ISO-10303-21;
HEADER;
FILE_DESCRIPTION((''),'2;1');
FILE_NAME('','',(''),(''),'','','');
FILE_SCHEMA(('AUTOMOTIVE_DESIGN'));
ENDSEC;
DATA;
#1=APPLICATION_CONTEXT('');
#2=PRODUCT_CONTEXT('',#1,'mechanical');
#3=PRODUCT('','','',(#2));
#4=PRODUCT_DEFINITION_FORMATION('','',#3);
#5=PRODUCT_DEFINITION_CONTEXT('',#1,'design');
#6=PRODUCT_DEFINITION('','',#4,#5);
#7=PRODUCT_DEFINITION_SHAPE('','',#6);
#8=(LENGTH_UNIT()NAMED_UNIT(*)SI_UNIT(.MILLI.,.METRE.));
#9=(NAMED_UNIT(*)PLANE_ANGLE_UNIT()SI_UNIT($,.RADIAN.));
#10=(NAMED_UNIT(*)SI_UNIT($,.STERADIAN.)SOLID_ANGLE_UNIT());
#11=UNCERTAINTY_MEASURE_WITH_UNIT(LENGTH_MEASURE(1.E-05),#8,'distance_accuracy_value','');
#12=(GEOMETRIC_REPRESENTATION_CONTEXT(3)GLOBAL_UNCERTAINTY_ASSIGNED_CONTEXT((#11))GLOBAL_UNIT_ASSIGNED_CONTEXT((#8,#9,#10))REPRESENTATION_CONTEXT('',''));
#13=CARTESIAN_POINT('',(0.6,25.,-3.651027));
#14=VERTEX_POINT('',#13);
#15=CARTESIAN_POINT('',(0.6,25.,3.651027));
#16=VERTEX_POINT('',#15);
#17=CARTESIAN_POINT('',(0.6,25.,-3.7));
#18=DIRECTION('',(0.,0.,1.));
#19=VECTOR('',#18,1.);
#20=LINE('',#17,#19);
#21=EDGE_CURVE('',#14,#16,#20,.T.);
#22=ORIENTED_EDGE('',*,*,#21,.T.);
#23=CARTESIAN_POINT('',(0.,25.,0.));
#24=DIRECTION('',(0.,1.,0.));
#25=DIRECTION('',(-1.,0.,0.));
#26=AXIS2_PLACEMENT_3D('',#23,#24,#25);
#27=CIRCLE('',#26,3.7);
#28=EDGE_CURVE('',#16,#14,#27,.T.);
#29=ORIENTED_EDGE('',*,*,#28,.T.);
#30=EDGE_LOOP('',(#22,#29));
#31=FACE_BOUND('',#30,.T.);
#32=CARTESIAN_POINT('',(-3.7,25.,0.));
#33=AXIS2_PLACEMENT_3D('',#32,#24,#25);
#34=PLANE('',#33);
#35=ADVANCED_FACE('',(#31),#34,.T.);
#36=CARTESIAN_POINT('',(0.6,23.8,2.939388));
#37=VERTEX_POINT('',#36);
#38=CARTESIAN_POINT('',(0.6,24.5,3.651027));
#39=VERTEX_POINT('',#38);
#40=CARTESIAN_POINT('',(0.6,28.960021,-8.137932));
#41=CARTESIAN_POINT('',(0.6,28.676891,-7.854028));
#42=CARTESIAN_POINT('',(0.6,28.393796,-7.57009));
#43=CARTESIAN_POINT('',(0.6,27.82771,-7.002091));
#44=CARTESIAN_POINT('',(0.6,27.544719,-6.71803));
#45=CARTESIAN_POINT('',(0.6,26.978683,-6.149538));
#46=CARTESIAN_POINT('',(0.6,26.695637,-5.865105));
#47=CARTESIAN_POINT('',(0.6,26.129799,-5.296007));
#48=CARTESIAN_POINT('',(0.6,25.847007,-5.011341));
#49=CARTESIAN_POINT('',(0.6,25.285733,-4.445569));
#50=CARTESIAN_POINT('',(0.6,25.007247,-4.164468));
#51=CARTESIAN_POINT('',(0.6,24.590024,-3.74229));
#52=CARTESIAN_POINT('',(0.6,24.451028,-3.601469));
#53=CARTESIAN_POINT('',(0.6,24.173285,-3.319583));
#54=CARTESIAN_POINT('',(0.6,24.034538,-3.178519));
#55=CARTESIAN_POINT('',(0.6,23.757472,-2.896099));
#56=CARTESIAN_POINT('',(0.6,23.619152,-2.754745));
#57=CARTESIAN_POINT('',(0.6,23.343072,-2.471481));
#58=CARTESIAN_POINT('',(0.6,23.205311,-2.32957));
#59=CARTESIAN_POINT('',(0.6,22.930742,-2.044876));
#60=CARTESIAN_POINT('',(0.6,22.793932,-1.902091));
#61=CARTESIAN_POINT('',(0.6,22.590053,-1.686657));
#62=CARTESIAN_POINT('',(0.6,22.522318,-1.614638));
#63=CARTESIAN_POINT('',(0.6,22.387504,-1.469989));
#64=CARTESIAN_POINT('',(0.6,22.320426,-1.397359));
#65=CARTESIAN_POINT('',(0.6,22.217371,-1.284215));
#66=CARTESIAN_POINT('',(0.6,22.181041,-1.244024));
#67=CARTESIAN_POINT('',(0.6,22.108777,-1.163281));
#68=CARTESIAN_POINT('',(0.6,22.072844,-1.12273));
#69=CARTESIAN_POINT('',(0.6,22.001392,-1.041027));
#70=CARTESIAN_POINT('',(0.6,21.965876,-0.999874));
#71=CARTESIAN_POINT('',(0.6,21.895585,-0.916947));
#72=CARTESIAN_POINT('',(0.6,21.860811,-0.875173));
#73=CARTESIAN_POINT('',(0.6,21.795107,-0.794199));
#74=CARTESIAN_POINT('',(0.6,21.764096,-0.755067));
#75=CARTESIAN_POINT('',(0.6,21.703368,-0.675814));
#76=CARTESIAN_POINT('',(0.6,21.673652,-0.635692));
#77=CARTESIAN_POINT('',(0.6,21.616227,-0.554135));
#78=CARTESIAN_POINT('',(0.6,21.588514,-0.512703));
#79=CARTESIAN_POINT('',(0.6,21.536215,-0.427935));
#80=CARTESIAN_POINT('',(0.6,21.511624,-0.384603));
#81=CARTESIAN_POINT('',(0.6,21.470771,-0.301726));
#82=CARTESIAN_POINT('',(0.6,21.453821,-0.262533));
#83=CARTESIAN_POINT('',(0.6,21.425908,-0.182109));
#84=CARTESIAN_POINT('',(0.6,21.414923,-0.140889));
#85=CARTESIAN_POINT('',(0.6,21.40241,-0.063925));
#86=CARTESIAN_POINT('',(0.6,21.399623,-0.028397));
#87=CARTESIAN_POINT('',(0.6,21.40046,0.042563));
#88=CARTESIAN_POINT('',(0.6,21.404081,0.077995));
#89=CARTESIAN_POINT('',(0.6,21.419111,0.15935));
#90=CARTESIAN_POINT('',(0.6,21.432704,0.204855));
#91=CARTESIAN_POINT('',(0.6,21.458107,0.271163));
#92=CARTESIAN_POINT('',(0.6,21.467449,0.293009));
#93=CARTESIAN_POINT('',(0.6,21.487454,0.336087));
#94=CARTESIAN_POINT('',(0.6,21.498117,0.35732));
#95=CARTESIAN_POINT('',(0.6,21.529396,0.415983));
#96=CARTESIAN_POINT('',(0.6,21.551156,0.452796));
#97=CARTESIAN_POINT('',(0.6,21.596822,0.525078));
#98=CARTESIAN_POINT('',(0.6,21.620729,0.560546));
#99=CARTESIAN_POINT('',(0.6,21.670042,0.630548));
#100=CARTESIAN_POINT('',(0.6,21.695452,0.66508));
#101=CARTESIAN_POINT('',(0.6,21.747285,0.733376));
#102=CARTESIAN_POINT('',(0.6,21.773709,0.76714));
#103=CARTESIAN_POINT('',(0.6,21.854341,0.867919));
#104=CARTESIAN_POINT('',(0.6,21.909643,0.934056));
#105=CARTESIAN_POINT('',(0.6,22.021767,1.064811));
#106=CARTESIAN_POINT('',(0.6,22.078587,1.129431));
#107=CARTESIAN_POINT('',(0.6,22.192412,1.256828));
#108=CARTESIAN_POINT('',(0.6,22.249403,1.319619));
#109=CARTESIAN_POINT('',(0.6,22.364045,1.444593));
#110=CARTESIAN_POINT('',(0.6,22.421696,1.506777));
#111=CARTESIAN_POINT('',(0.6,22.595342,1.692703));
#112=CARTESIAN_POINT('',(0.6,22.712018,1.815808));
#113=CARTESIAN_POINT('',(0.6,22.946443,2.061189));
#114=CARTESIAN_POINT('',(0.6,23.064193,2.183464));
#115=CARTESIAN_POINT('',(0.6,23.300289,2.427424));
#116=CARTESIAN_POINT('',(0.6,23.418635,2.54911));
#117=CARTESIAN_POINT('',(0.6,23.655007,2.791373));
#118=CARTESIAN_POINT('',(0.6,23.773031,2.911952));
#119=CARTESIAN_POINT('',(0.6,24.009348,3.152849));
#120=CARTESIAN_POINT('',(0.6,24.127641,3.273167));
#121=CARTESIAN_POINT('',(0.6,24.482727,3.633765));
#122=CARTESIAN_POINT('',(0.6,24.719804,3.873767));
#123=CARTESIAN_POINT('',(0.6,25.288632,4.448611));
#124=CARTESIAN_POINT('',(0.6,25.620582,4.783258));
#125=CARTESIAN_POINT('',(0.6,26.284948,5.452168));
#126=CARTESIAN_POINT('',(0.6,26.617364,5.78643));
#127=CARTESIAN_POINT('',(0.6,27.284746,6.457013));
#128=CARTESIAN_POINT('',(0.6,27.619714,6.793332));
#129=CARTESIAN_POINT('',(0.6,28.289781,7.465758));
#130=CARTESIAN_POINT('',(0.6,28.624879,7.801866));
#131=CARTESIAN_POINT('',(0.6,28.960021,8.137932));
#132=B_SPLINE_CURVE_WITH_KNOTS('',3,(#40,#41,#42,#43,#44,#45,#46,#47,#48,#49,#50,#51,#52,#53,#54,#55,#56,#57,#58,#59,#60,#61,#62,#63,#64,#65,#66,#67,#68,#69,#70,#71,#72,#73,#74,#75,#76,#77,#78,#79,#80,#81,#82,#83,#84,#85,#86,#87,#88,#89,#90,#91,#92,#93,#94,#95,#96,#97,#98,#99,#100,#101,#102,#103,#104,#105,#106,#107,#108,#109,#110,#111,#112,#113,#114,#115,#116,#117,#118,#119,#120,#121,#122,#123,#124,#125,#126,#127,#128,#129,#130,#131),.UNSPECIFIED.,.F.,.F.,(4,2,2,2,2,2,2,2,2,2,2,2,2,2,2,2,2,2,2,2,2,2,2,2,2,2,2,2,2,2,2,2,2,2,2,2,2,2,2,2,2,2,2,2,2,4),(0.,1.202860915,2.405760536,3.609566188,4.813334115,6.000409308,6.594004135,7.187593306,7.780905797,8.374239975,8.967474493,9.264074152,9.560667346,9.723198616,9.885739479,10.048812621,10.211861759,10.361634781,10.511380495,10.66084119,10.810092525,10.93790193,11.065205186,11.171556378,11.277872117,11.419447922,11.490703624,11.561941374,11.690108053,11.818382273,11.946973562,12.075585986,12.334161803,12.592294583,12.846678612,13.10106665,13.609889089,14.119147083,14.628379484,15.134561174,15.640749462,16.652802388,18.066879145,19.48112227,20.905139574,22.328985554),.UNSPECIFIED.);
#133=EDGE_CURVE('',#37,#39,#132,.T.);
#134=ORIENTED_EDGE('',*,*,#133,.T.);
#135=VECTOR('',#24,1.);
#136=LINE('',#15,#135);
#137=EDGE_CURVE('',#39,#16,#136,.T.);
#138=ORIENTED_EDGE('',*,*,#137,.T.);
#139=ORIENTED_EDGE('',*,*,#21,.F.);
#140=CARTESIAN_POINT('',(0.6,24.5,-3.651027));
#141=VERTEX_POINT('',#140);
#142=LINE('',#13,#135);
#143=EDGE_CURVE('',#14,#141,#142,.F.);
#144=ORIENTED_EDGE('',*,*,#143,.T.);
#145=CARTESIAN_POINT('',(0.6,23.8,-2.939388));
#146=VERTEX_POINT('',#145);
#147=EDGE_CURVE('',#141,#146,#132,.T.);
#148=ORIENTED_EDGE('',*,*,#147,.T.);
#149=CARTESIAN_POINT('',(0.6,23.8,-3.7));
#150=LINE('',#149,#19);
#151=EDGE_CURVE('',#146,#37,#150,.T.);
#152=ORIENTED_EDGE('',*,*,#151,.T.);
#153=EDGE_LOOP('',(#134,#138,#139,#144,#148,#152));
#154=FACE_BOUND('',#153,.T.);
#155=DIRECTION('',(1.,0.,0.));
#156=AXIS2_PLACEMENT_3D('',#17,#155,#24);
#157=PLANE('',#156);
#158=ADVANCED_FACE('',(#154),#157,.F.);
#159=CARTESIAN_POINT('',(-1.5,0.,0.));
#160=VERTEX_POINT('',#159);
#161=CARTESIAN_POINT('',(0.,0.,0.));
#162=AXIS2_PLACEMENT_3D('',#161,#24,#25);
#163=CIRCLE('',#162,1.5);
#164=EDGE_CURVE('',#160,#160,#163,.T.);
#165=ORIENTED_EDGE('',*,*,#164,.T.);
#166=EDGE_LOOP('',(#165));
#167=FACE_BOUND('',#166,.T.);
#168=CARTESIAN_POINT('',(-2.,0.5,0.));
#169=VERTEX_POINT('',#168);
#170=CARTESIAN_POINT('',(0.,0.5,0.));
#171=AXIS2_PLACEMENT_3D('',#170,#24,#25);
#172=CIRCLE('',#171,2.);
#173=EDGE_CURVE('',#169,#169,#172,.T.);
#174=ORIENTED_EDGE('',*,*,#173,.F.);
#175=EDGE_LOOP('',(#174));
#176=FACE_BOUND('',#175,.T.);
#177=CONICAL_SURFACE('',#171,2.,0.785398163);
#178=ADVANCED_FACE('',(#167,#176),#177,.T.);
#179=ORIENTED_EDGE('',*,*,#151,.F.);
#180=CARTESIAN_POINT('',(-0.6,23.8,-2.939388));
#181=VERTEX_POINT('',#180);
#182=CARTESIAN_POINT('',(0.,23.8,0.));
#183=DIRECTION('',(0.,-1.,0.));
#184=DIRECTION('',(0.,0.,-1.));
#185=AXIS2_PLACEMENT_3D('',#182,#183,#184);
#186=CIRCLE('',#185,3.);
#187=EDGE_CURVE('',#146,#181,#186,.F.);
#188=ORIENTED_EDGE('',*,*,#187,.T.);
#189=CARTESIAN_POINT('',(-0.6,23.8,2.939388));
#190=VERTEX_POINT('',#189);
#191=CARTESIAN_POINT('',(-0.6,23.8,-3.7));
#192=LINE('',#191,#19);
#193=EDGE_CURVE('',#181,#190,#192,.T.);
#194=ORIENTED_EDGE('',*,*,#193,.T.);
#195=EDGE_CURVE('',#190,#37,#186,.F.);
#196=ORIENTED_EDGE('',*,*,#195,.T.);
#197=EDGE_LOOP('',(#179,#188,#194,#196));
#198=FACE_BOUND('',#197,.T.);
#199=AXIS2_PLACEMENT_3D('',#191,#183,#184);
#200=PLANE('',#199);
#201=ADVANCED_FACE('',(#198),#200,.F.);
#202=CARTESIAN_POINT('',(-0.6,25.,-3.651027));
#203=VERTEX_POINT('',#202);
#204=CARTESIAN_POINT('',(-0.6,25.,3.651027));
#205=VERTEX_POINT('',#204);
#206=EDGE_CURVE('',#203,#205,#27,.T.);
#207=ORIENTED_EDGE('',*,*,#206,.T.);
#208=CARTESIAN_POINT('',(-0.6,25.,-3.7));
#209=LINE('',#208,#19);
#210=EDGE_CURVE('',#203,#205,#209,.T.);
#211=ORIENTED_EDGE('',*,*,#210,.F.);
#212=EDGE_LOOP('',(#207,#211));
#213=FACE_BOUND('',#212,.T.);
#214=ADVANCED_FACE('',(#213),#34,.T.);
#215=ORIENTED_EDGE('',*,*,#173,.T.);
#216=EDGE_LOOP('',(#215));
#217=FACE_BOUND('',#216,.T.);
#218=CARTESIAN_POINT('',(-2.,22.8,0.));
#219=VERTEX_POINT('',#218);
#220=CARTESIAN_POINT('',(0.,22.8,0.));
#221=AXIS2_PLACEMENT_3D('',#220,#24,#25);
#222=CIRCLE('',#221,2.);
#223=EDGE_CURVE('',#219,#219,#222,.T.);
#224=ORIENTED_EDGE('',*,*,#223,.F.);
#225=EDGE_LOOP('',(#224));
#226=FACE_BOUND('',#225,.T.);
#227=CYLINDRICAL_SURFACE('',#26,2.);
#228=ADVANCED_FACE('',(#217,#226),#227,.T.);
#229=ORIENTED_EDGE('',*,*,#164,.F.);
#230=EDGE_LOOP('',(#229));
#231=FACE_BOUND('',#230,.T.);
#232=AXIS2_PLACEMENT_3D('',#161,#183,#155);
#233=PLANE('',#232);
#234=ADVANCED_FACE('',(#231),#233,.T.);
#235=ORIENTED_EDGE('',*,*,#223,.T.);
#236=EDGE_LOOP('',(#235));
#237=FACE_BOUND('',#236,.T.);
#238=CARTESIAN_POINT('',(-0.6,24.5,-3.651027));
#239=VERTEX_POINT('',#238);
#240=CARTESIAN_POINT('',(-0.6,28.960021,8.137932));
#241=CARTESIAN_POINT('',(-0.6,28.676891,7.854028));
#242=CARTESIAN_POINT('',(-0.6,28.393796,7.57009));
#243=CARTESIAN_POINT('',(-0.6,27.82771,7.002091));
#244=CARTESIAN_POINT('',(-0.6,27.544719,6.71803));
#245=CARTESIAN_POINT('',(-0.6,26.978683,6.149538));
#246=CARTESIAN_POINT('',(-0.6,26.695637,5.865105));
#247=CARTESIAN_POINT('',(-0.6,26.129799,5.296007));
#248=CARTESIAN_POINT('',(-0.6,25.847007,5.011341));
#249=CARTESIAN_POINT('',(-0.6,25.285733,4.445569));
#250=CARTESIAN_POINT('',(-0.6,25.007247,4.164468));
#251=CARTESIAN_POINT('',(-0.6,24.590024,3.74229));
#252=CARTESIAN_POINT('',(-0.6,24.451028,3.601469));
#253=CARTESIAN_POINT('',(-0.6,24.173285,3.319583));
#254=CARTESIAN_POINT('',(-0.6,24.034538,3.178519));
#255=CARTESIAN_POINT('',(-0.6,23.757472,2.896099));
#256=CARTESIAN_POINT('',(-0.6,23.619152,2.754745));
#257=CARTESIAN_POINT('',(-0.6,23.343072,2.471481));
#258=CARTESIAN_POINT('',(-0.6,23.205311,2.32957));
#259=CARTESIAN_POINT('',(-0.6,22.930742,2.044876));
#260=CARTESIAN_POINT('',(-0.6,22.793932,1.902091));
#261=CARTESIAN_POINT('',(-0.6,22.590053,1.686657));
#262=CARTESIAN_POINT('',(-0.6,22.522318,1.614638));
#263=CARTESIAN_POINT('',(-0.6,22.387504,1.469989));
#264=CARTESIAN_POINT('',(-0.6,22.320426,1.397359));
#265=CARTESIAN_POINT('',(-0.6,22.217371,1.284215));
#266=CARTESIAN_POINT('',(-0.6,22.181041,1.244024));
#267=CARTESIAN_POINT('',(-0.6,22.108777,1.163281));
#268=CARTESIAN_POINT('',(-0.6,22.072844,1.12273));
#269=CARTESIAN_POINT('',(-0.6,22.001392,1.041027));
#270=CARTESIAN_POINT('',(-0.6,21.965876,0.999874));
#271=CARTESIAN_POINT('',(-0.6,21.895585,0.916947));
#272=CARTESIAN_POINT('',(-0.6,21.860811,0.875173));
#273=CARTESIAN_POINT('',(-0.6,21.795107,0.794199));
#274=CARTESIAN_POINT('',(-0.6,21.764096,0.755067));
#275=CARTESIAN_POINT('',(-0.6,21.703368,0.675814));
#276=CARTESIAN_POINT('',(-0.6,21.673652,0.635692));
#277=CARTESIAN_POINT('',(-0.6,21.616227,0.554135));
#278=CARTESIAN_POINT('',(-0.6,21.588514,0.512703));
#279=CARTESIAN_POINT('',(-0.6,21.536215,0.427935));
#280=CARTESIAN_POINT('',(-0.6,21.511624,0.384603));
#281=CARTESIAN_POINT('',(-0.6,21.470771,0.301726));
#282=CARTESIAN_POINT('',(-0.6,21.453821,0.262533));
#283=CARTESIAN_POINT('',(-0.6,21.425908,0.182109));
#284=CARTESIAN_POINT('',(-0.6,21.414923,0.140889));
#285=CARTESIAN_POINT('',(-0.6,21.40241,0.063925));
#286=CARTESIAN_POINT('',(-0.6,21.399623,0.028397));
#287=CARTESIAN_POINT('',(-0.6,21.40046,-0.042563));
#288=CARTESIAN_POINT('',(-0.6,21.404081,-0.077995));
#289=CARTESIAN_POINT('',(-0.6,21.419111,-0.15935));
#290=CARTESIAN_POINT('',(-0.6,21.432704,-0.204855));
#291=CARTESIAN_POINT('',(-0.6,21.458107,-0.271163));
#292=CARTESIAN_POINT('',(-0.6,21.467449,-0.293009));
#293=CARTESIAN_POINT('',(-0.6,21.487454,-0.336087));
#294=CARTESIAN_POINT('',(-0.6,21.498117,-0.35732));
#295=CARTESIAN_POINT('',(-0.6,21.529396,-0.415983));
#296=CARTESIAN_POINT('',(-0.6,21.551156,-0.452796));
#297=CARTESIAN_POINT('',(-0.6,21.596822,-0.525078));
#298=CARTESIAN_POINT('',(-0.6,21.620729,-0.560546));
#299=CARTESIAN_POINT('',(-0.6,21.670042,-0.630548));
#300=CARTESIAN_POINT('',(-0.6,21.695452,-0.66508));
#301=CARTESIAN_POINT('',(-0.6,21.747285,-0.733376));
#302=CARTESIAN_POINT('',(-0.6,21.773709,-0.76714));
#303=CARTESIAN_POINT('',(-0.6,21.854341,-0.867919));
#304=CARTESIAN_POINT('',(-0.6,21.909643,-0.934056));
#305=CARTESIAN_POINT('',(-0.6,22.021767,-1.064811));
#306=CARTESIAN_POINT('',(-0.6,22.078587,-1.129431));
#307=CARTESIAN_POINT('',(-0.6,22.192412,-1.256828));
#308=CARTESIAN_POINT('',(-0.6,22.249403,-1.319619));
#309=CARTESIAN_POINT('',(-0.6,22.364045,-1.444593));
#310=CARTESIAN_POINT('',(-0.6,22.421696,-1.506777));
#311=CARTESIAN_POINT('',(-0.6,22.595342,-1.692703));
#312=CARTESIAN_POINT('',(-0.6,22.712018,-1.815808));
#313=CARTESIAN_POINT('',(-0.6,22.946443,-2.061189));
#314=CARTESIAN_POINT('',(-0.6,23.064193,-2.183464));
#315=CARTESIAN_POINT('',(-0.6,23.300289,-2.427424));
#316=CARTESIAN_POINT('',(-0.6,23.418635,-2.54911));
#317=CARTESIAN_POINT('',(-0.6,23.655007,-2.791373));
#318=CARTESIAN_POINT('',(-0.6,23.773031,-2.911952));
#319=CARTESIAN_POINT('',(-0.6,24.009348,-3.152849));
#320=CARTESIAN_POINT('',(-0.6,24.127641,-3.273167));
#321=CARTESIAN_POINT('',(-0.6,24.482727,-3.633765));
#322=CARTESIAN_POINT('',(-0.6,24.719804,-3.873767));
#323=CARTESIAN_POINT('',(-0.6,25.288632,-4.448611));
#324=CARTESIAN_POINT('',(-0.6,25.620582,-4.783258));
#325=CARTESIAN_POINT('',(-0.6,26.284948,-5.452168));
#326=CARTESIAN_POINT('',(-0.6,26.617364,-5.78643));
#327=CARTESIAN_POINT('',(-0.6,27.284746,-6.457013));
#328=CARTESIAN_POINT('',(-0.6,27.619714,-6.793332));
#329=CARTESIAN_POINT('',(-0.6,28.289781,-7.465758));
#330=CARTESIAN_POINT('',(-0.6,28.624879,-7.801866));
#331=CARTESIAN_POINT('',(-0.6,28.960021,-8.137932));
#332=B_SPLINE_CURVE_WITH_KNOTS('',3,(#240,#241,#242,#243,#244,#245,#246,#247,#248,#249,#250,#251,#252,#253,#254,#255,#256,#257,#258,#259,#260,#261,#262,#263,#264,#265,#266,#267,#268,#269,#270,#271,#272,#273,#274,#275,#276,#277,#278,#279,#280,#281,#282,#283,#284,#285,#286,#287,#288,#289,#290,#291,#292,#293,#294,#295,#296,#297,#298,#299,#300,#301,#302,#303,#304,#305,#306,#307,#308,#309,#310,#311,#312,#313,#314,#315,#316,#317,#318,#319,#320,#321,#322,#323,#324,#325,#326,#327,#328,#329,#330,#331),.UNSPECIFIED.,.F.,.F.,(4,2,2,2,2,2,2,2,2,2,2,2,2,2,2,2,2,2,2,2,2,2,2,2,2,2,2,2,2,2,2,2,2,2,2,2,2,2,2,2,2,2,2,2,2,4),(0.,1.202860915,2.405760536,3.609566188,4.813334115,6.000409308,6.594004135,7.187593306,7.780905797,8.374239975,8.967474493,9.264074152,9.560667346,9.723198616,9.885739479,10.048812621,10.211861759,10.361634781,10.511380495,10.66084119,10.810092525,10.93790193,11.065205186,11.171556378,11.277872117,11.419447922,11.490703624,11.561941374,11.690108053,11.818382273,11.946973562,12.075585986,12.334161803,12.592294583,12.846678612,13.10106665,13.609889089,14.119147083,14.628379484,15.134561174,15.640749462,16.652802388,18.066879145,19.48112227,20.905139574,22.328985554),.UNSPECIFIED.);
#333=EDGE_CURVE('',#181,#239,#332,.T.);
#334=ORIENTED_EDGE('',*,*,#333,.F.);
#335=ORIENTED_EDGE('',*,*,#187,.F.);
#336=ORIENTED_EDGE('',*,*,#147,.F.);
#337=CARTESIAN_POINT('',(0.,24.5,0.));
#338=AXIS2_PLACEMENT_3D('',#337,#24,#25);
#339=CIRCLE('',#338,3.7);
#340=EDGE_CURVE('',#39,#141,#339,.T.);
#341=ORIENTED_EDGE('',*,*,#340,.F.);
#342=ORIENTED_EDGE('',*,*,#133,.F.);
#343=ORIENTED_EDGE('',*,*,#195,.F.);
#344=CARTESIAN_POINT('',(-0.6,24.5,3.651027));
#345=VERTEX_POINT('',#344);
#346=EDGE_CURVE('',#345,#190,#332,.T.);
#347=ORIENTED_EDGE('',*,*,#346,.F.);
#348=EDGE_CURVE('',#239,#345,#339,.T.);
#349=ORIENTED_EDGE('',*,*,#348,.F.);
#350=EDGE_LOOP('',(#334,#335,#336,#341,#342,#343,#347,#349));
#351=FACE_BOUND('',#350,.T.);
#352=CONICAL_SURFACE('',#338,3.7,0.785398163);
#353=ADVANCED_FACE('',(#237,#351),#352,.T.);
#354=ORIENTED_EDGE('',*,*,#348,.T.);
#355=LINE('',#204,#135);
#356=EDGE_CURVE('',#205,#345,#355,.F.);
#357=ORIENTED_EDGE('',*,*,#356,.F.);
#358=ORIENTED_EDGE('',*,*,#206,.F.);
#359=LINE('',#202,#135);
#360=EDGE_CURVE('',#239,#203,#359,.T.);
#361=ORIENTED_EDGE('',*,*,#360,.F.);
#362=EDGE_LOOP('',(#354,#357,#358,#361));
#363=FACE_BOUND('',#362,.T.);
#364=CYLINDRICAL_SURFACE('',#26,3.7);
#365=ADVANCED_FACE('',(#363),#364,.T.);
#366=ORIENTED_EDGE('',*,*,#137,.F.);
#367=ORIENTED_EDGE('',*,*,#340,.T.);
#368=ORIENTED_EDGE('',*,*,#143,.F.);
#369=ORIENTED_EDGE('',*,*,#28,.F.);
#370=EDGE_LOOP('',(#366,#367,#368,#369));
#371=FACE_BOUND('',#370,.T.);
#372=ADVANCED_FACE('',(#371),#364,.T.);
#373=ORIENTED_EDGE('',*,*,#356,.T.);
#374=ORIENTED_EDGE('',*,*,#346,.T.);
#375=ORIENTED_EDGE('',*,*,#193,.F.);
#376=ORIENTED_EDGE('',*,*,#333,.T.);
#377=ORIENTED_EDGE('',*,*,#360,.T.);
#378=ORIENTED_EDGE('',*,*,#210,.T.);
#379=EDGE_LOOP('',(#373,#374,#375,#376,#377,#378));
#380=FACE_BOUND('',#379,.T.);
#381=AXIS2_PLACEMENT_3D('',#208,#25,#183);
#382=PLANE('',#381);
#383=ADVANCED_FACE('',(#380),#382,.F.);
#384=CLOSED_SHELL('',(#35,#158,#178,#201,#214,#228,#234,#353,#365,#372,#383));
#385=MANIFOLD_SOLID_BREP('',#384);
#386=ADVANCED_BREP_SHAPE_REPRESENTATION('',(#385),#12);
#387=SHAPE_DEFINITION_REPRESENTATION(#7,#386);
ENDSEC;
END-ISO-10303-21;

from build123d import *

# Parameters (mm, degrees)
CUT_EXTRUDE_1_DEPTH      = 26.54173056
CUT_EXTRUDE_1_DEPTH_BACK = 26.54173056
SKETCH_2_W               = 1.2
SKETCH_2_H               = 1.2


with BuildPart() as part:
    # Эскиз1 → Повернуть1 (revolve)
    with BuildSketch(Plane.XY):
        Polygon((0, 0), (-1.5, 0), (-2, 0.5), (-2, 22.8), (-3.7, 24.5), (-3.7, 25), (0, 25), align=None)
    revolve(axis=Axis((0, 25, 0), (0, -1, 0)))

    # Эскиз2 → Вырез-Вытянуть1 (cut, two sides: drawn at the far end of the back side and taken through both)
    with BuildSketch(Plane.XY.offset(-CUT_EXTRUDE_1_DEPTH_BACK)):
        with Locations((0, 24.4)):
            Rectangle(SKETCH_2_W, SKETCH_2_H)
    extrude(amount=CUT_EXTRUDE_1_DEPTH + CUT_EXTRUDE_1_DEPTH_BACK, mode=Mode.SUBTRACT)


solid = part.part
